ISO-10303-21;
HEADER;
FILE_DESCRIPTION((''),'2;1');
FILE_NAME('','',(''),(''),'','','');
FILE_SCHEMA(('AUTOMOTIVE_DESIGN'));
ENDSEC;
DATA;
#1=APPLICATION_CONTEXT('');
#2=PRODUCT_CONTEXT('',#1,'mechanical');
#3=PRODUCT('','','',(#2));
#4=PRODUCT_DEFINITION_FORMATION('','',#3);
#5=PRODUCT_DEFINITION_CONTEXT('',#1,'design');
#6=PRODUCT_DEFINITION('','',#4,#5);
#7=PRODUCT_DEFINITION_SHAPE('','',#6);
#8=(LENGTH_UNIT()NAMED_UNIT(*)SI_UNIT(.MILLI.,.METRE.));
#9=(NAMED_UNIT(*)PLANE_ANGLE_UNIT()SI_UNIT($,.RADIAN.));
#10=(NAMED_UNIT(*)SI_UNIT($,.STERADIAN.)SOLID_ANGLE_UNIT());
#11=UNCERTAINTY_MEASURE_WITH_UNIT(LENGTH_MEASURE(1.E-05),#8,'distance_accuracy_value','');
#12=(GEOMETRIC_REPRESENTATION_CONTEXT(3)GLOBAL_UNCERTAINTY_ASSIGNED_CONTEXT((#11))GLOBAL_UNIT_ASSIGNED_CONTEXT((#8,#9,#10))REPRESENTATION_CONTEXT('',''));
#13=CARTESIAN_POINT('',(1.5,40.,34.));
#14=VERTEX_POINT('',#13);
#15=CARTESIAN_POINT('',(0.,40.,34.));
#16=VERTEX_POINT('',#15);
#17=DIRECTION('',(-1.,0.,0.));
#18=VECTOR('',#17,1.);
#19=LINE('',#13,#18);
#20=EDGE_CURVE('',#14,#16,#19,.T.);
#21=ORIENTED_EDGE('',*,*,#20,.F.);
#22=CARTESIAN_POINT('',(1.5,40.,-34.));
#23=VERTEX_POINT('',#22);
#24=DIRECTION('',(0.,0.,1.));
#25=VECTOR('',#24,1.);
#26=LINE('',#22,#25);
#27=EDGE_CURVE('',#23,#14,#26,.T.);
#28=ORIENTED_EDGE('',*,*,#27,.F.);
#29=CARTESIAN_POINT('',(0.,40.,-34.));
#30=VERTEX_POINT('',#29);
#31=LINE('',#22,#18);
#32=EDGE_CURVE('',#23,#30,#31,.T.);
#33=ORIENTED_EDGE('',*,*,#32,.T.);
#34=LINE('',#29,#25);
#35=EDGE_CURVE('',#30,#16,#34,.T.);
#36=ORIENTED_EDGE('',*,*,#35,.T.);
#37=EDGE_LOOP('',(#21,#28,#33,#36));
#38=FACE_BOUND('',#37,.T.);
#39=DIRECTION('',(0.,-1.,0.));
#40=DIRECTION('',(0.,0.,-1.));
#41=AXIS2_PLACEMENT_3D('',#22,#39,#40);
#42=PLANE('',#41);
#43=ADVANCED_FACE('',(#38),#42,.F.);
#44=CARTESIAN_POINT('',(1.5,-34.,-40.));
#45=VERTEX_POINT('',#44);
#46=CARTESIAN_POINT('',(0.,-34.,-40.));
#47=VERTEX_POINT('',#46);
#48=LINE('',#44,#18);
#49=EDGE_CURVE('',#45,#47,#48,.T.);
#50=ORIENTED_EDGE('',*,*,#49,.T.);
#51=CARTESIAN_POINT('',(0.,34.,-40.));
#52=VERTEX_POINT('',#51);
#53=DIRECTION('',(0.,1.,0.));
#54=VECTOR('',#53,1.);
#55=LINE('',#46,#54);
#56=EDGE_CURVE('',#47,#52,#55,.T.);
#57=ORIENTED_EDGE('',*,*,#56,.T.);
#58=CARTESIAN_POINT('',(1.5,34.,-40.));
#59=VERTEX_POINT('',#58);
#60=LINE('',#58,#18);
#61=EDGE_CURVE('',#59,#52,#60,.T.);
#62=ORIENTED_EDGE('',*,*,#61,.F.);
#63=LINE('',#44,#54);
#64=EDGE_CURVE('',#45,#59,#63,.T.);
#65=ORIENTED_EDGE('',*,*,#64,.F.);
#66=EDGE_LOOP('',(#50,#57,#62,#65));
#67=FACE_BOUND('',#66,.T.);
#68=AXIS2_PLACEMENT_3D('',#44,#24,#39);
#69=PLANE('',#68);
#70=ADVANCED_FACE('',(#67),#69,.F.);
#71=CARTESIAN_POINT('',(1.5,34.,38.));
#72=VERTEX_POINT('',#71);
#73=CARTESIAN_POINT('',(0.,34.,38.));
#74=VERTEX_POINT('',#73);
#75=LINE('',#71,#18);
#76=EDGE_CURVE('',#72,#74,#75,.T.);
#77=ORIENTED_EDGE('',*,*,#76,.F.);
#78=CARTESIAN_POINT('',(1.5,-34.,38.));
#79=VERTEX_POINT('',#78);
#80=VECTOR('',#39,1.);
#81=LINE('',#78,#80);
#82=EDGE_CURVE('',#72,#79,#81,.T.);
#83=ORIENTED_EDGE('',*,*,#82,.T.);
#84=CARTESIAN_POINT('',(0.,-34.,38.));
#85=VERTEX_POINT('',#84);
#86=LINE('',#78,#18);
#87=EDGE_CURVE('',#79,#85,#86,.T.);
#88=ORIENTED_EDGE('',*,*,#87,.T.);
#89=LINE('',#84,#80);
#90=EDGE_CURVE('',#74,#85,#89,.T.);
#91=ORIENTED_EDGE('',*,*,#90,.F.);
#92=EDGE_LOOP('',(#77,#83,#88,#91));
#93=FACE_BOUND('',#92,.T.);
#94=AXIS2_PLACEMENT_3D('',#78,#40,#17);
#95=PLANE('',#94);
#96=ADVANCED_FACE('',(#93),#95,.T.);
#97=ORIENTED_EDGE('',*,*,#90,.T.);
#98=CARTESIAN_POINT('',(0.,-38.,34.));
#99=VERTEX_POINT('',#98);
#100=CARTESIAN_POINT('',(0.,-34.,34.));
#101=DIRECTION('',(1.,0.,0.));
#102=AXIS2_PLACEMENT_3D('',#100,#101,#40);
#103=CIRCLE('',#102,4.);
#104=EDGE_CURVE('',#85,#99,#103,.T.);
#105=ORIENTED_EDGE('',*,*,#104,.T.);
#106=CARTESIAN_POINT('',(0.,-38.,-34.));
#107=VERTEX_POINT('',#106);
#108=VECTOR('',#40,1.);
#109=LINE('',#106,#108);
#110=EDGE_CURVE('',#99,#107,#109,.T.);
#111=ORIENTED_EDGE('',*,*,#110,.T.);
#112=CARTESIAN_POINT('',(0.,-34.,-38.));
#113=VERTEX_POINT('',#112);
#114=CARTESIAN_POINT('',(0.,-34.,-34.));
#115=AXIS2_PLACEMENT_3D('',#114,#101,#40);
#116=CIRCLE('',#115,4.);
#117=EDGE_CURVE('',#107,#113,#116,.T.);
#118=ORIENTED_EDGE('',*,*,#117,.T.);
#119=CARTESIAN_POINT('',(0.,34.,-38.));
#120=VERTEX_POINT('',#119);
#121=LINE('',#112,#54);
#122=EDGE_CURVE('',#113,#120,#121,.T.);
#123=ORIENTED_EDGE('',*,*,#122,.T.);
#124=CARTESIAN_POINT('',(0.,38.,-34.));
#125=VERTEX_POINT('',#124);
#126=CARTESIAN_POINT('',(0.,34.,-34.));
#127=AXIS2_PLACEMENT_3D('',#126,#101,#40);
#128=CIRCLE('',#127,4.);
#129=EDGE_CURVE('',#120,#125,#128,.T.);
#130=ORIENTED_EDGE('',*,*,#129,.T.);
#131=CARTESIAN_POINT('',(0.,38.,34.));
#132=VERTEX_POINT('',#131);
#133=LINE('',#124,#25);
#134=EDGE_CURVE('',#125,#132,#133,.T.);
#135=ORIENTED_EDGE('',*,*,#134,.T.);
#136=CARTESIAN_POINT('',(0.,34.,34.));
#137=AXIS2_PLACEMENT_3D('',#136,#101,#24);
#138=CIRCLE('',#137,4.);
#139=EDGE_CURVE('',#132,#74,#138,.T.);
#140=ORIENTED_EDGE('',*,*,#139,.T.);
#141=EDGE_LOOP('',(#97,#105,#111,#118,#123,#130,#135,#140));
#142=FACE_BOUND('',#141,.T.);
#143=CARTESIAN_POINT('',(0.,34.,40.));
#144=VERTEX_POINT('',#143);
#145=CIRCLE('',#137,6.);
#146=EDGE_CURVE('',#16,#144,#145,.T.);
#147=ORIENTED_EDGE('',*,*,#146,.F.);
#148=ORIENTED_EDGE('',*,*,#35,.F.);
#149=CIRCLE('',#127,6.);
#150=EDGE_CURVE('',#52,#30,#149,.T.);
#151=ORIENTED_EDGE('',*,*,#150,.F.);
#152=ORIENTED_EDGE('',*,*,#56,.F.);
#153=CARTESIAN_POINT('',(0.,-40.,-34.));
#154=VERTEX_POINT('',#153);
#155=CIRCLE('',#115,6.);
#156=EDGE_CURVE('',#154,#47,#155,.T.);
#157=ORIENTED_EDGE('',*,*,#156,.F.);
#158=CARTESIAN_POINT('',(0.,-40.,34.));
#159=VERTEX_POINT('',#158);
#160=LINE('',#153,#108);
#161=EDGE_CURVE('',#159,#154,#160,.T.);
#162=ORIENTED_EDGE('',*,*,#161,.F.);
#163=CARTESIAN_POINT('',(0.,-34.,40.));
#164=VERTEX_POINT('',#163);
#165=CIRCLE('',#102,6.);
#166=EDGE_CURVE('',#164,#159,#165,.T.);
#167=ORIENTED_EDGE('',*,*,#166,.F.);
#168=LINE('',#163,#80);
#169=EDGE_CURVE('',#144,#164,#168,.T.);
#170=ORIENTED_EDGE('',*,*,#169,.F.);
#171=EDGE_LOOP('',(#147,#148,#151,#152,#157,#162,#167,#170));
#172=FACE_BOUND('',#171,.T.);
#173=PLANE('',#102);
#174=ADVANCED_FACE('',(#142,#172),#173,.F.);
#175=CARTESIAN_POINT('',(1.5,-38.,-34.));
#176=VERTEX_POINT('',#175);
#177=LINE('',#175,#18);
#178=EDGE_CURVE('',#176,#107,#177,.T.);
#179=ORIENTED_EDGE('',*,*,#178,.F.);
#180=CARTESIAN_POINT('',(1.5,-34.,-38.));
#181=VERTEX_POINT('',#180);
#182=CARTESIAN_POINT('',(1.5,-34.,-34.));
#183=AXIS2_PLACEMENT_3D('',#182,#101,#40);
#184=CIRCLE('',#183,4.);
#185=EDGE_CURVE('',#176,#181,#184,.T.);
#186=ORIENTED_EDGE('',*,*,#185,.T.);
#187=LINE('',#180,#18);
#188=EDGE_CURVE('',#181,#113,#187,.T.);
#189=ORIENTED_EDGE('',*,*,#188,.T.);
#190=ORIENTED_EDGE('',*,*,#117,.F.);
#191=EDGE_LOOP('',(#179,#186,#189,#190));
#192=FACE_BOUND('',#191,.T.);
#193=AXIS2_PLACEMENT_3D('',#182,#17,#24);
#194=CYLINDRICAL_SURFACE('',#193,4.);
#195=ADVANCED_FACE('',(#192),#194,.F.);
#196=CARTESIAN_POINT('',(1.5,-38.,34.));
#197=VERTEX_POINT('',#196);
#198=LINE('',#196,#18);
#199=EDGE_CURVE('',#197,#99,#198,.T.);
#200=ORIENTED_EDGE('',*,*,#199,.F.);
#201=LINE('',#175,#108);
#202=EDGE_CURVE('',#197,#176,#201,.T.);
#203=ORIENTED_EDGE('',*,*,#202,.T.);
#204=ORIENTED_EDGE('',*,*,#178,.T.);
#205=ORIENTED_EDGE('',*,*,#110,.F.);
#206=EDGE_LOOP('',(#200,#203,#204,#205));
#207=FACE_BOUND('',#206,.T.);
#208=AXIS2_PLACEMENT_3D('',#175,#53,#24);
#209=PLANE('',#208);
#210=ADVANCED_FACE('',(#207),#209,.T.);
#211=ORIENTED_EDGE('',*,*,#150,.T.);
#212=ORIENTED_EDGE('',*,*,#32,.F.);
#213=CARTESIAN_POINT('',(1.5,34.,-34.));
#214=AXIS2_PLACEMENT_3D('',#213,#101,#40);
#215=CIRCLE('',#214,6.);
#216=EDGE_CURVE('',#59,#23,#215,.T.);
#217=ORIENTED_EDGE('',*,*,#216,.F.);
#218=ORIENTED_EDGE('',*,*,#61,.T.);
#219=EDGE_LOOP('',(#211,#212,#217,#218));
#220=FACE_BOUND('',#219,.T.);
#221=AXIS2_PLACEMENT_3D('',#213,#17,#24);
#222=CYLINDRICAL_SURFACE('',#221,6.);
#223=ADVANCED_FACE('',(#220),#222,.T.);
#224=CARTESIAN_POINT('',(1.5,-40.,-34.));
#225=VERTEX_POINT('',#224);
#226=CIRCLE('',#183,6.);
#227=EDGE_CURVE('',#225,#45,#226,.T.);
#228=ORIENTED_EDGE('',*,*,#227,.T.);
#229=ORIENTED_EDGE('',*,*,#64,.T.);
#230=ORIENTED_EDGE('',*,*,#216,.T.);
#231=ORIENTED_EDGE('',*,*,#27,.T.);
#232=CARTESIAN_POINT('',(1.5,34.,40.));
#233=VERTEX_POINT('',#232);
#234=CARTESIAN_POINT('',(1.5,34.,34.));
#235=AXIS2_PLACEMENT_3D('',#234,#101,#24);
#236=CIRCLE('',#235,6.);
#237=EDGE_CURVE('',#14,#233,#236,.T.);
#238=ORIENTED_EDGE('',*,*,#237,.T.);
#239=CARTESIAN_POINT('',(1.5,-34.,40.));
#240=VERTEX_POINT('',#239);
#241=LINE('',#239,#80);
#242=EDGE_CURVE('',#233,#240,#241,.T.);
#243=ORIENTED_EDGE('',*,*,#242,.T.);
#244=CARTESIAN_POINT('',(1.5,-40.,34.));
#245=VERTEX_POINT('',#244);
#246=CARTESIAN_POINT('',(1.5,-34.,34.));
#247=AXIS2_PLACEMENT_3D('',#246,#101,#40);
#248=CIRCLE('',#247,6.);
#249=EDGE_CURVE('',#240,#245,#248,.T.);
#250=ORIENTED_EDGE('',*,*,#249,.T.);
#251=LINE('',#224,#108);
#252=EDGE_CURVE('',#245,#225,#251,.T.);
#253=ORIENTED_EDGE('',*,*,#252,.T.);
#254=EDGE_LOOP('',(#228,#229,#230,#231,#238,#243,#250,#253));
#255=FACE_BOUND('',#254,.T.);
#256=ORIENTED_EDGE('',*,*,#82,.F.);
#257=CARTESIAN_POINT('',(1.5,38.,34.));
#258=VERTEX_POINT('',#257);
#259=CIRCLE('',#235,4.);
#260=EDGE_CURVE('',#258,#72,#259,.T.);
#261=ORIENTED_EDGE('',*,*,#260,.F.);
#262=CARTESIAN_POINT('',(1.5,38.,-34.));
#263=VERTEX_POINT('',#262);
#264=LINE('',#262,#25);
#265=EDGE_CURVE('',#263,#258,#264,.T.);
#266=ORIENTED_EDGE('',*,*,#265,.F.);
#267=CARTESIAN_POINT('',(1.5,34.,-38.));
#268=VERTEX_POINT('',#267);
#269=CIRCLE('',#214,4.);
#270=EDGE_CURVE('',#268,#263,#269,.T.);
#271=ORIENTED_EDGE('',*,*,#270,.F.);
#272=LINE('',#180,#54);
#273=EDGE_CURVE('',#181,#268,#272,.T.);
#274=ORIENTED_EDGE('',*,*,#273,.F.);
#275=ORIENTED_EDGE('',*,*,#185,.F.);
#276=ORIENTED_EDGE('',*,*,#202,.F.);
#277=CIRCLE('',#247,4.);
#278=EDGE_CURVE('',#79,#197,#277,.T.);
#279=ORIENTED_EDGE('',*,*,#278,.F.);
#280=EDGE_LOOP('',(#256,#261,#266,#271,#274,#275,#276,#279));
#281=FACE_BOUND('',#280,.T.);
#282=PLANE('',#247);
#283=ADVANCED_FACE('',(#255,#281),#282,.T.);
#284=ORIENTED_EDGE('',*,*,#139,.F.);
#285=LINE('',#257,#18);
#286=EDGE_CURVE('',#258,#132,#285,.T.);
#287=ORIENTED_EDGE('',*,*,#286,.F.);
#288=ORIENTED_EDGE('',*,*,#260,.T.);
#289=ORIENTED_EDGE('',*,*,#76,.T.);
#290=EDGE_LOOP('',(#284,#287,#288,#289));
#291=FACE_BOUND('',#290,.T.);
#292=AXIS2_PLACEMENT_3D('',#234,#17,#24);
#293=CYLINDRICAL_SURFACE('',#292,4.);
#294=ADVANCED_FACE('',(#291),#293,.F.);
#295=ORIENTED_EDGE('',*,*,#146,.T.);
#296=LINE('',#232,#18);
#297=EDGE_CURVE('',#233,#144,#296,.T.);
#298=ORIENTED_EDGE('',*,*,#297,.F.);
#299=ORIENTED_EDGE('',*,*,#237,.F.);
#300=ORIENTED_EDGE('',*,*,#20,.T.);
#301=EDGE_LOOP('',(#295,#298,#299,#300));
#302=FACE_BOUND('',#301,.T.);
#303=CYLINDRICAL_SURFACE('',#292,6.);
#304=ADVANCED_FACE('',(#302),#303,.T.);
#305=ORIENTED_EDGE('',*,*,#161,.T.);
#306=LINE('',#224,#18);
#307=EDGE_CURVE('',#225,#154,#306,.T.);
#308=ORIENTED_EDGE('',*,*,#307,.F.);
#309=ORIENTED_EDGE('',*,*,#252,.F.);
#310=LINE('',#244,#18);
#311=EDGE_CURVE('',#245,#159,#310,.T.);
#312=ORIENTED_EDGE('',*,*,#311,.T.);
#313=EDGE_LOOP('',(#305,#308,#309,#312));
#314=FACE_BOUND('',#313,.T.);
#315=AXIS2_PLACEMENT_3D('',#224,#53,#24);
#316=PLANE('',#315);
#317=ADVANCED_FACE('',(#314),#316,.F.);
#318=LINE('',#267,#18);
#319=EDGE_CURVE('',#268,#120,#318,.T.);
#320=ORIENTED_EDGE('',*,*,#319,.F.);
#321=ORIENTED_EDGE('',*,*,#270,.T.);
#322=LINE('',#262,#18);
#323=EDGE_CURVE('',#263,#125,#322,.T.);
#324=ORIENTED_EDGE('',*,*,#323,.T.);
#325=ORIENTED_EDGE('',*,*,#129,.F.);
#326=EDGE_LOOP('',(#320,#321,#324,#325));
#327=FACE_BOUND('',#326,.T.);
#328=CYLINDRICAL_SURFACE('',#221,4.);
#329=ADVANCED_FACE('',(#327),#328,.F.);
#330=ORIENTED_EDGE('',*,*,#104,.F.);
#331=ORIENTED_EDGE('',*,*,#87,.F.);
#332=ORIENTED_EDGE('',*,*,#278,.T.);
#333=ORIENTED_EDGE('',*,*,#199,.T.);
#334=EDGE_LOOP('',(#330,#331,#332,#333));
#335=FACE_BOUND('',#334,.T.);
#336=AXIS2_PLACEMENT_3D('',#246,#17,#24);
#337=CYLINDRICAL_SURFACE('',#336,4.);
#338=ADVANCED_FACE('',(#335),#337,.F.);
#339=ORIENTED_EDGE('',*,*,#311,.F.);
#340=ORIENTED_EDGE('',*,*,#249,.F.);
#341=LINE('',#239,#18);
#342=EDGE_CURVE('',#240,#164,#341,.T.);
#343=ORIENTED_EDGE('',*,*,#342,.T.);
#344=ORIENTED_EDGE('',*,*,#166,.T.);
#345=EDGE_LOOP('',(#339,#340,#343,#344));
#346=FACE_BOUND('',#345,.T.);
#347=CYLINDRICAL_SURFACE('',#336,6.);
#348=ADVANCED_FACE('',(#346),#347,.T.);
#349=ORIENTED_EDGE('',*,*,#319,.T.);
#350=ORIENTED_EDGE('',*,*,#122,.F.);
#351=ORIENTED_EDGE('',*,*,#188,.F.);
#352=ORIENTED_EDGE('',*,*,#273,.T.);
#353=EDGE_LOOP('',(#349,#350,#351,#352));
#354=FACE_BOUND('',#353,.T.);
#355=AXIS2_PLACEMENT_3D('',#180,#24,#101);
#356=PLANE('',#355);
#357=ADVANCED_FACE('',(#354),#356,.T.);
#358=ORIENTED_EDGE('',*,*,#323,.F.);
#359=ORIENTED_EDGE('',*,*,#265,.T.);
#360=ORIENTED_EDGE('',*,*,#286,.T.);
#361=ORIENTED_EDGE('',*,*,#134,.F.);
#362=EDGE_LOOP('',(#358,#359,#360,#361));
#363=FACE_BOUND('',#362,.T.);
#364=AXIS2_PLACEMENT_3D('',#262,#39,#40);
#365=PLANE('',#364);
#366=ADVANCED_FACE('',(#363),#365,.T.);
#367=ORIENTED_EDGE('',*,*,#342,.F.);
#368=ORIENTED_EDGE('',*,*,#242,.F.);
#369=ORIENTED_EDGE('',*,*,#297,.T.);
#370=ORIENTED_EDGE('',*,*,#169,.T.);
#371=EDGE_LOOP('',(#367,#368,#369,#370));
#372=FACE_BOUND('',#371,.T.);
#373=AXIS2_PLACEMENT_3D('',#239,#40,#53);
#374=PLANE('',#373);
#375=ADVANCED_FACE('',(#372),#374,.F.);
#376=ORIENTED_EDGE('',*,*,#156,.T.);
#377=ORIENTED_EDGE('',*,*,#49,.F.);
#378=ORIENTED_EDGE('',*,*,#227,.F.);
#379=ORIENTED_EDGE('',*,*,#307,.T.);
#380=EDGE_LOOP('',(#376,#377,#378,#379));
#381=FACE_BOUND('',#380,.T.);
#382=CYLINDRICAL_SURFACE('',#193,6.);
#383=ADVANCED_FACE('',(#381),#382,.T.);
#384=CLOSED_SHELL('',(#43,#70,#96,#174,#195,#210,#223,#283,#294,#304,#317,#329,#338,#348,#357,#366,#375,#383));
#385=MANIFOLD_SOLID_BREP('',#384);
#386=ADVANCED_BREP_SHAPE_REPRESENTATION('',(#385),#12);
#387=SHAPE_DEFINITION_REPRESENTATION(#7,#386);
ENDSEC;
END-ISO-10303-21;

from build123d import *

# Parameters (mm, degrees)
BOSS_EXTRUDE1_DEPTH = 1.5


with BuildPart() as part:
    # Sketch1 → Boss-Extrude1 (new body)
    with BuildSketch(Plane(origin=(0, 0, 0), x_dir=(0, 0, -1), z_dir=(1, 0, 0))):
        with BuildLine():
            Line((34, -40), (-34, -40))
            ThreePointArc((-34, -40), (-38.242640687, -38.242640687), (-40, -34))
            Line((-40, -34), (-40, 34))
            ThreePointArc((-40, 34), (-38.242640687, 38.242640687), (-34, 40))
            Line((-34, 40), (34, 40))
            ThreePointArc((34, 40), (38.242640687, 38.242640687), (40, 34))
            Line((40, 34), (40, -34))
            ThreePointArc((40, -34), (38.242640687, -38.242640687), (34, -40))
        make_face()
        with BuildLine():
            Line((34, 38), (-34, 38))
            ThreePointArc((-34, 38), (-36.828427125, 36.828427125), (-38, 34))
            Line((-38, 34), (-38, -34))
            ThreePointArc((-38, -34), (-36.828427125, -36.828427125), (-34, -38))
            Line((-34, -38), (34, -38))
            ThreePointArc((34, -38), (36.828427125, -36.828427125), (38, -34))
            Line((38, -34), (38, 34))
            ThreePointArc((38, 34), (36.828427125, 36.828427125), (34, 38))
        make_face(mode=Mode.SUBTRACT)
    extrude(amount=BOSS_EXTRUDE1_DEPTH)


solid = part.part
